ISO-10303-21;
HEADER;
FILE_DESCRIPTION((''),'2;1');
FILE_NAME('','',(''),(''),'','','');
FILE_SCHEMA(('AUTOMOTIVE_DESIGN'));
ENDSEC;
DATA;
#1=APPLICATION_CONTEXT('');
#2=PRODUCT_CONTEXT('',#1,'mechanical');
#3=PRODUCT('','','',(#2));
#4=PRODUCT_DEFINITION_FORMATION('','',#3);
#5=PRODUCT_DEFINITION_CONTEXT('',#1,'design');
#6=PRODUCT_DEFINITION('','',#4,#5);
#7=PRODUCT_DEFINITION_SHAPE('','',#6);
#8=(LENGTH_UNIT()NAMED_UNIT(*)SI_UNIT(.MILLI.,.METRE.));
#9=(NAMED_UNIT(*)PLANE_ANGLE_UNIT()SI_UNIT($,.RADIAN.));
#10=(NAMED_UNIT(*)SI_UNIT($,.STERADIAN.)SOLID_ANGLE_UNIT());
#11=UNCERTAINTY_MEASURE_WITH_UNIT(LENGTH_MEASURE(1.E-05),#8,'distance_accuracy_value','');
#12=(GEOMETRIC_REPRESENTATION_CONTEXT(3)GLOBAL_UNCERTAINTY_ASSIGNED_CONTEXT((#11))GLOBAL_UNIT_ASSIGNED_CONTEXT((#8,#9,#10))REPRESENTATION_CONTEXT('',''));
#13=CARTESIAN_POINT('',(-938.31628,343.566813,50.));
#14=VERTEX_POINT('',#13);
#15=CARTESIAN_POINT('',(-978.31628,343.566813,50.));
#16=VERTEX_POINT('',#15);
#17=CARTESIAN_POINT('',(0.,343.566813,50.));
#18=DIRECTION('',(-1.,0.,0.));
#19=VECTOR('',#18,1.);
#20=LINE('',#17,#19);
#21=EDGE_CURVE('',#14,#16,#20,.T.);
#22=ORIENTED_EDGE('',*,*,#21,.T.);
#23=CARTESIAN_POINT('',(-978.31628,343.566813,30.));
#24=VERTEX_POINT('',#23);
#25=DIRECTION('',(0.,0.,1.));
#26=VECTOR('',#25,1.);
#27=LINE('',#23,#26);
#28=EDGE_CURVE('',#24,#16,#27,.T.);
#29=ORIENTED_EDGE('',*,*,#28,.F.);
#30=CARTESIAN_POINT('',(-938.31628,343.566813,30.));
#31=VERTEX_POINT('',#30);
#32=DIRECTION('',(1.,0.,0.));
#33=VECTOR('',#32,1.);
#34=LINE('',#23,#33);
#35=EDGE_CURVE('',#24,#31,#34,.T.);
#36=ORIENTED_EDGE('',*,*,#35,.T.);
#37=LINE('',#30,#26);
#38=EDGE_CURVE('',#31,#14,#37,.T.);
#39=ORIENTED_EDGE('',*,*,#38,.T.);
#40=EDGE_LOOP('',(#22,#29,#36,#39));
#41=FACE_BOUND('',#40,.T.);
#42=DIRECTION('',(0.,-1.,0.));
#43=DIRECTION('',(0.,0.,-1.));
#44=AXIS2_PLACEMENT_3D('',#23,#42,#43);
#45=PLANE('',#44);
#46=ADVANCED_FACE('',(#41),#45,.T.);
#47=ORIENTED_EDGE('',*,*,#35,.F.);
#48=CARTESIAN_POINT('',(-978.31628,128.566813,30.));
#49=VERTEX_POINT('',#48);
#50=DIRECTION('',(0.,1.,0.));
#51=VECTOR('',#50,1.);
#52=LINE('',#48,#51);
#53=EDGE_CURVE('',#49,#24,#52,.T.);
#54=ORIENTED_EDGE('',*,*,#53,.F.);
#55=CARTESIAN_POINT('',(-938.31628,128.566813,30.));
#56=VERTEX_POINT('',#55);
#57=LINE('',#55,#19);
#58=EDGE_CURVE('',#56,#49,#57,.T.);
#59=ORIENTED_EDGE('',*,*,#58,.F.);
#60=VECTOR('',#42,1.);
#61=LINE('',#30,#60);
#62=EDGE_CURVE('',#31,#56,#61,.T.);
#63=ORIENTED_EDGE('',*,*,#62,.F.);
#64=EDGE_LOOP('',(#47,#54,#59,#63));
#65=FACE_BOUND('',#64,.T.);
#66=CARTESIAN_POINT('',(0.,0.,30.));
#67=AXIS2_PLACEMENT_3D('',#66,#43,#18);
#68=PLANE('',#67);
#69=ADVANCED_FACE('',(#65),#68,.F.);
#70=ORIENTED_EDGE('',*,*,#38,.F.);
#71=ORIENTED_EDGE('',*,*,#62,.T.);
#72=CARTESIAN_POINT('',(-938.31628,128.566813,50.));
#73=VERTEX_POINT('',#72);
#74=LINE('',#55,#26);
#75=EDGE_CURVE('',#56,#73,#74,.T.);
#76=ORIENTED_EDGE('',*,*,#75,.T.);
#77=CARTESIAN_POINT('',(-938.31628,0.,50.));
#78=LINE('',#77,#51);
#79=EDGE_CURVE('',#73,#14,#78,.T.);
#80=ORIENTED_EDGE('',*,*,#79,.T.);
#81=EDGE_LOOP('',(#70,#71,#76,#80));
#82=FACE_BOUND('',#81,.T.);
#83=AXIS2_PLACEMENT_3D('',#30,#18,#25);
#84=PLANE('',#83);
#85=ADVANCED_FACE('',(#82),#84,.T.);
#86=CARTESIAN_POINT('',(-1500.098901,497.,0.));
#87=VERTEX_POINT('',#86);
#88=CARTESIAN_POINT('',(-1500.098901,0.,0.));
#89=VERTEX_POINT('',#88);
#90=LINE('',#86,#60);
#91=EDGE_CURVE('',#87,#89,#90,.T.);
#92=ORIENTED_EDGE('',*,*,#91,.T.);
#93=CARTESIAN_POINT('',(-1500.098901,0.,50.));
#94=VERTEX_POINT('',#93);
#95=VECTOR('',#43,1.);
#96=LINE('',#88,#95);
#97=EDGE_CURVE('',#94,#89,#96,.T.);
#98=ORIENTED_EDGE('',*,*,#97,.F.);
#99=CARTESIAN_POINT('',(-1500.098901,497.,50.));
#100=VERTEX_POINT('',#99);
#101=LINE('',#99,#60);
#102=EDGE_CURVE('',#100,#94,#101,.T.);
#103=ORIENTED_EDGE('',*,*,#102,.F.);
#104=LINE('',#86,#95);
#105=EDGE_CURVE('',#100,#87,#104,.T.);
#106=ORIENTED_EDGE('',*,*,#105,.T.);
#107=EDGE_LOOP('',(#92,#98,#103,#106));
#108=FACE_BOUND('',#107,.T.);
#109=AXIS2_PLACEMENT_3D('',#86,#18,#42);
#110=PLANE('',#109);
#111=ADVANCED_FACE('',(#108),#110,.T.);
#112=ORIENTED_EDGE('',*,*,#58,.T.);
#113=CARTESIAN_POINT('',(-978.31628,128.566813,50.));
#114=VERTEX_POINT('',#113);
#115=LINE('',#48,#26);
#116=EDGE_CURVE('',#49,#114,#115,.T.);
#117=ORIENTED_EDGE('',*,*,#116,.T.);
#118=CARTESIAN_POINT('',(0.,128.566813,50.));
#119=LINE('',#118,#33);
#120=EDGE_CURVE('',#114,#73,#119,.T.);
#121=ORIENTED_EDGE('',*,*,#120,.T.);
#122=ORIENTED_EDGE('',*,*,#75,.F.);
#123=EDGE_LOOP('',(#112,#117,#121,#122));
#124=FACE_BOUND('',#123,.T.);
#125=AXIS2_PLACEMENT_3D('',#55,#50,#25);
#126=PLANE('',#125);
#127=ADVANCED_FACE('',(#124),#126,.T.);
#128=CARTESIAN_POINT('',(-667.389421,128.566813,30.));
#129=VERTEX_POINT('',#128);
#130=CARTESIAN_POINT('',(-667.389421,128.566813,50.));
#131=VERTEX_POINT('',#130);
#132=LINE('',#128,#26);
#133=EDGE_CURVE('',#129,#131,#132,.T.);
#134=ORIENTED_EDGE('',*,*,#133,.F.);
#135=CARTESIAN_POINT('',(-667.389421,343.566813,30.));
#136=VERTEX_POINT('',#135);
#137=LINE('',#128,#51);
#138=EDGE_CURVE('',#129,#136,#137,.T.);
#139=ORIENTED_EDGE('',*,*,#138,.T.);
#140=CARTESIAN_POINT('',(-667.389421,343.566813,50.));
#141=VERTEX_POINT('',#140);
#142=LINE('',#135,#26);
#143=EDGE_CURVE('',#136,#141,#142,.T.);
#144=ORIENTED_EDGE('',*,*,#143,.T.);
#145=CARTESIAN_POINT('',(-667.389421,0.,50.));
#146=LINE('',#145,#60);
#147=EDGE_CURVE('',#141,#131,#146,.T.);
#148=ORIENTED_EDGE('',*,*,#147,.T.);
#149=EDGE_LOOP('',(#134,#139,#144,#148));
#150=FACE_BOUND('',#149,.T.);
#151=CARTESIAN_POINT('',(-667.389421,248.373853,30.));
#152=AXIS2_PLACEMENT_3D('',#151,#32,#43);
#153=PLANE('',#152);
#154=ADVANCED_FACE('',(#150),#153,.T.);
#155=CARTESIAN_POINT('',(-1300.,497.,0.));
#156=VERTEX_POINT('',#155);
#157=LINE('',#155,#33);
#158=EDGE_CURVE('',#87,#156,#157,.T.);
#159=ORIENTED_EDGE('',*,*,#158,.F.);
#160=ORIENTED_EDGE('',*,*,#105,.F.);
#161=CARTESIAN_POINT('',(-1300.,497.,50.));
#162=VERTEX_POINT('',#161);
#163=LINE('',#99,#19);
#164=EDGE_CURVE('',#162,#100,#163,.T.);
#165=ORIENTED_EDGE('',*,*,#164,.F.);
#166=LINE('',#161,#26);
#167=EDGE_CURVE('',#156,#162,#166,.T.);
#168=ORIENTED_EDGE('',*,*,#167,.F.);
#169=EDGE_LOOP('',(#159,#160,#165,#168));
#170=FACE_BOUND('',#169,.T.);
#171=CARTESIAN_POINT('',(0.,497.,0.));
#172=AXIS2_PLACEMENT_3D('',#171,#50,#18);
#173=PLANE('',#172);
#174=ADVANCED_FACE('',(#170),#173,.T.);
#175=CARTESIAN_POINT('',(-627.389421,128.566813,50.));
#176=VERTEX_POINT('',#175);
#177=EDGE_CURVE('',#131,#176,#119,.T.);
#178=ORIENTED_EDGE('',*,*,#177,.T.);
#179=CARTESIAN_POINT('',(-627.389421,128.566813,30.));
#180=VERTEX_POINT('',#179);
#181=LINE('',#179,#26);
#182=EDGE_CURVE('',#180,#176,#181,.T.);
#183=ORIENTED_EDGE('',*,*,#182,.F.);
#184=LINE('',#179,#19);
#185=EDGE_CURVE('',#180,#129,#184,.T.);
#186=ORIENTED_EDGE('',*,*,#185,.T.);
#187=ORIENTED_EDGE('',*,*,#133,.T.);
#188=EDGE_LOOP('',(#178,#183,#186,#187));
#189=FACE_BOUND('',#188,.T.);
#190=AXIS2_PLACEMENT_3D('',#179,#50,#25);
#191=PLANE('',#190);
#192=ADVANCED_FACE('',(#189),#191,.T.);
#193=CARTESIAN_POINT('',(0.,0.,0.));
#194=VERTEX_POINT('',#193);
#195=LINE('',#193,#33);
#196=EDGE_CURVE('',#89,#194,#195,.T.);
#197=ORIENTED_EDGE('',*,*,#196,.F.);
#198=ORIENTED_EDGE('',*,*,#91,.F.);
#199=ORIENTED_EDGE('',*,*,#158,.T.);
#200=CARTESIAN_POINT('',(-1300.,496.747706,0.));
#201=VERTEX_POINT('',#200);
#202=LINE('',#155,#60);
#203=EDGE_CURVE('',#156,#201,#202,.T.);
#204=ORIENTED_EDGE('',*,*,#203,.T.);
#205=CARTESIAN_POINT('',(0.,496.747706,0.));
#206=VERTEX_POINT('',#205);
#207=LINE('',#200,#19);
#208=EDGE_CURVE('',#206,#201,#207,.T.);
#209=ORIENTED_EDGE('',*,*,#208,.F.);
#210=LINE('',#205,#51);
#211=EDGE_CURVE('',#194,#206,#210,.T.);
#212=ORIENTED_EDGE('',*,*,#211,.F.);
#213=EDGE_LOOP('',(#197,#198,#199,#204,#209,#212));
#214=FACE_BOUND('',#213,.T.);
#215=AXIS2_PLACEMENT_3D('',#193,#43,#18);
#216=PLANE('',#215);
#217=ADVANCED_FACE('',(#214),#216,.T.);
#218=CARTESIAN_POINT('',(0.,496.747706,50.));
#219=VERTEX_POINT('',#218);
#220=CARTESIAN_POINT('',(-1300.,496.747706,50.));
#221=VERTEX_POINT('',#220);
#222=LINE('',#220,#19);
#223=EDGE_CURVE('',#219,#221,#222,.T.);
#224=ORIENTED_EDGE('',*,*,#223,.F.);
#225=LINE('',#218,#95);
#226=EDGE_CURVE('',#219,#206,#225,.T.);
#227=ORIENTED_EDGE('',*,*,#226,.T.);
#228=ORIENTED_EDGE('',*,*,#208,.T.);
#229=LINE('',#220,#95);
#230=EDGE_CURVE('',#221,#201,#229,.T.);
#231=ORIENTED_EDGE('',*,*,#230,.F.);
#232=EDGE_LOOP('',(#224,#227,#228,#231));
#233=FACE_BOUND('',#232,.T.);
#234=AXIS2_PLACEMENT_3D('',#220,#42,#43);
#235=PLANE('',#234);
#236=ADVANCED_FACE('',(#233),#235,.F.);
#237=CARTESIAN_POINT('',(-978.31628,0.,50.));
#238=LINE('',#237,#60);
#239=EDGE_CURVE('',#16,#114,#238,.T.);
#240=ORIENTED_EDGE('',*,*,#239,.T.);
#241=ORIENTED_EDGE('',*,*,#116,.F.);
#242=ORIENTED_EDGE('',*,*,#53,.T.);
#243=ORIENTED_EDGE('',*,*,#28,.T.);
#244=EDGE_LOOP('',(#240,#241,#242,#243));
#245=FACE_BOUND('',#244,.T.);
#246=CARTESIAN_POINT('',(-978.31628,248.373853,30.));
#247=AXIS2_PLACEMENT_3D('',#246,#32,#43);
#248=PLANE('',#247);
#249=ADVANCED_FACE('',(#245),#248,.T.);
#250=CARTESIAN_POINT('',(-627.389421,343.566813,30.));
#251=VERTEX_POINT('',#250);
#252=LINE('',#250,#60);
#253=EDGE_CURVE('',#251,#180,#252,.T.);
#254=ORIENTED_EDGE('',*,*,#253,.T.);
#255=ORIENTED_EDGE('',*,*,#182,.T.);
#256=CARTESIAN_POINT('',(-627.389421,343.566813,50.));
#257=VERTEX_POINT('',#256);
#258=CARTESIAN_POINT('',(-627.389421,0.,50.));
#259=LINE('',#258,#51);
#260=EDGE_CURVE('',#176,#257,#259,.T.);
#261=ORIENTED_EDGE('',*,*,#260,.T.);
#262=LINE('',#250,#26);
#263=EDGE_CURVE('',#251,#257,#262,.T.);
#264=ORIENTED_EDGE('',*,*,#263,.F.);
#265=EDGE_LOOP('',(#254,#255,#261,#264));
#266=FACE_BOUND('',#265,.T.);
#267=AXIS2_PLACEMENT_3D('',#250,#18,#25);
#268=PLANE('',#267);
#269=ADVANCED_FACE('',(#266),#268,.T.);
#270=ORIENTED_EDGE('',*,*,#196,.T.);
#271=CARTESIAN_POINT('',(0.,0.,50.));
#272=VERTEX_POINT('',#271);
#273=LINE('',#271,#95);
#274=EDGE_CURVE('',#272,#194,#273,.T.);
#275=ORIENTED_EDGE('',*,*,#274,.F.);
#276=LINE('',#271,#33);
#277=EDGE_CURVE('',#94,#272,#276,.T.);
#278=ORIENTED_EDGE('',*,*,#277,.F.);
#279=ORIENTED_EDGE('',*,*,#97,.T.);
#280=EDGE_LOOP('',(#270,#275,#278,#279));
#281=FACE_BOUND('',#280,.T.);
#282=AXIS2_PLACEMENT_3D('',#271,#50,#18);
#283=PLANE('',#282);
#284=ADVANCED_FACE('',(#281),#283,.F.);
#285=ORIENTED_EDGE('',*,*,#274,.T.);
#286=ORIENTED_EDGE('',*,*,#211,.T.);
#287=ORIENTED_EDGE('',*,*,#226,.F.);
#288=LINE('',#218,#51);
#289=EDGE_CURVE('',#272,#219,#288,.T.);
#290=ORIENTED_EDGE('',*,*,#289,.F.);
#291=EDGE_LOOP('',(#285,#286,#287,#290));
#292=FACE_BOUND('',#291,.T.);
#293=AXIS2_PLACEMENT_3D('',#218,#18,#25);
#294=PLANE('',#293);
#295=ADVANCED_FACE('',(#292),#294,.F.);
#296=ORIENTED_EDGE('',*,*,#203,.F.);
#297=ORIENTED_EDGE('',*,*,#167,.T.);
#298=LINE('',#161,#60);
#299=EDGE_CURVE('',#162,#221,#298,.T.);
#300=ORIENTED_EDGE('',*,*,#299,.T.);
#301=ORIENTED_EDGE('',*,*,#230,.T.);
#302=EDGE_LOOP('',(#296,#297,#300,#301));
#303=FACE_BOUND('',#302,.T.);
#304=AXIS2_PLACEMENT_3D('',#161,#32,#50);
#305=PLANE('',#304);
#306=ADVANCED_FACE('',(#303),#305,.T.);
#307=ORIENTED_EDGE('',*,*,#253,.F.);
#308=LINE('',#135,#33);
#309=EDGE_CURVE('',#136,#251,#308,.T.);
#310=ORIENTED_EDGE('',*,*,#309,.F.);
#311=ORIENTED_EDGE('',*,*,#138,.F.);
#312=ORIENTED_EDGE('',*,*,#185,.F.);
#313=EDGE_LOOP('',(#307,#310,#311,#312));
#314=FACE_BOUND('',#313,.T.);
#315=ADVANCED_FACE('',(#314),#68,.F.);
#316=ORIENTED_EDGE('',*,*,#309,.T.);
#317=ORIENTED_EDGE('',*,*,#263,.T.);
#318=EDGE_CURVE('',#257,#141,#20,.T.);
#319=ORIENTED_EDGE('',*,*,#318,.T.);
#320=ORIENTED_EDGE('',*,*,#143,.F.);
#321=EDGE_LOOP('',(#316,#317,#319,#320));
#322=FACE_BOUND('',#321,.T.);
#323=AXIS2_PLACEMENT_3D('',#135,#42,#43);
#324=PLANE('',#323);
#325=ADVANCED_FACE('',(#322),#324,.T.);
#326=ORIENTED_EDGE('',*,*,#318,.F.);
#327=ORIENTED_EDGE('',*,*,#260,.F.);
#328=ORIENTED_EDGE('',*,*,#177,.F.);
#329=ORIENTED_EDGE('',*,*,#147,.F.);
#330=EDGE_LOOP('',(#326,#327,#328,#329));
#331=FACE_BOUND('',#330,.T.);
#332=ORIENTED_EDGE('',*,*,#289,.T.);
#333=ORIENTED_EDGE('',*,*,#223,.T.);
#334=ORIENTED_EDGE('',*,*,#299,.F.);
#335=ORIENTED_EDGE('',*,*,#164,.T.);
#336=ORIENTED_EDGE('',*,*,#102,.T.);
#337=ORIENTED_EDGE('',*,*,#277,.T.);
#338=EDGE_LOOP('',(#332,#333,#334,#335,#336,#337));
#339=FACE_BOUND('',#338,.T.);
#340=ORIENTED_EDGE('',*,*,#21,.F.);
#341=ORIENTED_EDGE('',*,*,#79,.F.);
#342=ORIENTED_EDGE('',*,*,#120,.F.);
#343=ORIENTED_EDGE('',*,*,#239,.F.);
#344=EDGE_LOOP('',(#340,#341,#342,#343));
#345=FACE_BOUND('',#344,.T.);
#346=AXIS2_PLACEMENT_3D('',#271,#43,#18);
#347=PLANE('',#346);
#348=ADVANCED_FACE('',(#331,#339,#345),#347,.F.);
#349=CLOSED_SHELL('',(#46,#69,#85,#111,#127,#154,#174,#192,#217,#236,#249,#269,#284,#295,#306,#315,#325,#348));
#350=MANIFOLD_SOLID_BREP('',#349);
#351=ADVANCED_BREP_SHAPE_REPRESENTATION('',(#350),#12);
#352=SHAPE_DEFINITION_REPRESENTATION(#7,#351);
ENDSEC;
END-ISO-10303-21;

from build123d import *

# Parameters (mm, degrees)
SZKIC1_W                    = 1300
SZKIC1_H                    = 496.747706102
DODANIE_WYCI_GNI_CIE1_DEPTH = 50
WYTNIJ_WYCI_GNI_CIE1_DEPTH  = 30
SZKIC3_W                    = 200.09890069
SZKIC3_H                    = 50
DODANIE_WYCI_GNI_CIE2_DEPTH = 497


with BuildPart() as part:
    # Szkic1 → Dodanie-wyciągnięcie1 (new body)
    with BuildSketch(Plane.XY):
        with Locations((-650, 248.373853051)):
            Rectangle(SZKIC1_W, SZKIC1_H)
    extrude(amount=DODANIE_WYCI_GNI_CIE1_DEPTH)

    # Szkic2 → Wytnij-wyciągnięcie1 (cut)
    with BuildSketch(Plane.XY.offset(60)):
        Polygon((-978.316280033, 248.373853051), (-978.316280033, 343.566812888), (-938.316280033, 343.566812888), (-938.316280033, 128.566812888), (-978.316280033, 128.566812888), align=None)
        Polygon((-667.389420711, 248.373853051), (-667.389420711, 343.566812888), (-627.389420711, 343.566812888), (-627.389420711, 128.566812888), (-667.389420711, 128.566812888), align=None)
    extrude(amount=-WYTNIJ_WYCI_GNI_CIE1_DEPTH, mode=Mode.SUBTRACT)

    # Szkic3 → Dodanie-wyciągnięcie2 (add)
    with BuildSketch(Plane(origin=(0, 0, 0), x_dir=(-1, 0, 0), z_dir=(0, -1, 0))):
        with Locations((1400.049450345, -25)):
            Rectangle(SZKIC3_W, SZKIC3_H)
    extrude(amount=-DODANIE_WYCI_GNI_CIE2_DEPTH)


solid = part.part
